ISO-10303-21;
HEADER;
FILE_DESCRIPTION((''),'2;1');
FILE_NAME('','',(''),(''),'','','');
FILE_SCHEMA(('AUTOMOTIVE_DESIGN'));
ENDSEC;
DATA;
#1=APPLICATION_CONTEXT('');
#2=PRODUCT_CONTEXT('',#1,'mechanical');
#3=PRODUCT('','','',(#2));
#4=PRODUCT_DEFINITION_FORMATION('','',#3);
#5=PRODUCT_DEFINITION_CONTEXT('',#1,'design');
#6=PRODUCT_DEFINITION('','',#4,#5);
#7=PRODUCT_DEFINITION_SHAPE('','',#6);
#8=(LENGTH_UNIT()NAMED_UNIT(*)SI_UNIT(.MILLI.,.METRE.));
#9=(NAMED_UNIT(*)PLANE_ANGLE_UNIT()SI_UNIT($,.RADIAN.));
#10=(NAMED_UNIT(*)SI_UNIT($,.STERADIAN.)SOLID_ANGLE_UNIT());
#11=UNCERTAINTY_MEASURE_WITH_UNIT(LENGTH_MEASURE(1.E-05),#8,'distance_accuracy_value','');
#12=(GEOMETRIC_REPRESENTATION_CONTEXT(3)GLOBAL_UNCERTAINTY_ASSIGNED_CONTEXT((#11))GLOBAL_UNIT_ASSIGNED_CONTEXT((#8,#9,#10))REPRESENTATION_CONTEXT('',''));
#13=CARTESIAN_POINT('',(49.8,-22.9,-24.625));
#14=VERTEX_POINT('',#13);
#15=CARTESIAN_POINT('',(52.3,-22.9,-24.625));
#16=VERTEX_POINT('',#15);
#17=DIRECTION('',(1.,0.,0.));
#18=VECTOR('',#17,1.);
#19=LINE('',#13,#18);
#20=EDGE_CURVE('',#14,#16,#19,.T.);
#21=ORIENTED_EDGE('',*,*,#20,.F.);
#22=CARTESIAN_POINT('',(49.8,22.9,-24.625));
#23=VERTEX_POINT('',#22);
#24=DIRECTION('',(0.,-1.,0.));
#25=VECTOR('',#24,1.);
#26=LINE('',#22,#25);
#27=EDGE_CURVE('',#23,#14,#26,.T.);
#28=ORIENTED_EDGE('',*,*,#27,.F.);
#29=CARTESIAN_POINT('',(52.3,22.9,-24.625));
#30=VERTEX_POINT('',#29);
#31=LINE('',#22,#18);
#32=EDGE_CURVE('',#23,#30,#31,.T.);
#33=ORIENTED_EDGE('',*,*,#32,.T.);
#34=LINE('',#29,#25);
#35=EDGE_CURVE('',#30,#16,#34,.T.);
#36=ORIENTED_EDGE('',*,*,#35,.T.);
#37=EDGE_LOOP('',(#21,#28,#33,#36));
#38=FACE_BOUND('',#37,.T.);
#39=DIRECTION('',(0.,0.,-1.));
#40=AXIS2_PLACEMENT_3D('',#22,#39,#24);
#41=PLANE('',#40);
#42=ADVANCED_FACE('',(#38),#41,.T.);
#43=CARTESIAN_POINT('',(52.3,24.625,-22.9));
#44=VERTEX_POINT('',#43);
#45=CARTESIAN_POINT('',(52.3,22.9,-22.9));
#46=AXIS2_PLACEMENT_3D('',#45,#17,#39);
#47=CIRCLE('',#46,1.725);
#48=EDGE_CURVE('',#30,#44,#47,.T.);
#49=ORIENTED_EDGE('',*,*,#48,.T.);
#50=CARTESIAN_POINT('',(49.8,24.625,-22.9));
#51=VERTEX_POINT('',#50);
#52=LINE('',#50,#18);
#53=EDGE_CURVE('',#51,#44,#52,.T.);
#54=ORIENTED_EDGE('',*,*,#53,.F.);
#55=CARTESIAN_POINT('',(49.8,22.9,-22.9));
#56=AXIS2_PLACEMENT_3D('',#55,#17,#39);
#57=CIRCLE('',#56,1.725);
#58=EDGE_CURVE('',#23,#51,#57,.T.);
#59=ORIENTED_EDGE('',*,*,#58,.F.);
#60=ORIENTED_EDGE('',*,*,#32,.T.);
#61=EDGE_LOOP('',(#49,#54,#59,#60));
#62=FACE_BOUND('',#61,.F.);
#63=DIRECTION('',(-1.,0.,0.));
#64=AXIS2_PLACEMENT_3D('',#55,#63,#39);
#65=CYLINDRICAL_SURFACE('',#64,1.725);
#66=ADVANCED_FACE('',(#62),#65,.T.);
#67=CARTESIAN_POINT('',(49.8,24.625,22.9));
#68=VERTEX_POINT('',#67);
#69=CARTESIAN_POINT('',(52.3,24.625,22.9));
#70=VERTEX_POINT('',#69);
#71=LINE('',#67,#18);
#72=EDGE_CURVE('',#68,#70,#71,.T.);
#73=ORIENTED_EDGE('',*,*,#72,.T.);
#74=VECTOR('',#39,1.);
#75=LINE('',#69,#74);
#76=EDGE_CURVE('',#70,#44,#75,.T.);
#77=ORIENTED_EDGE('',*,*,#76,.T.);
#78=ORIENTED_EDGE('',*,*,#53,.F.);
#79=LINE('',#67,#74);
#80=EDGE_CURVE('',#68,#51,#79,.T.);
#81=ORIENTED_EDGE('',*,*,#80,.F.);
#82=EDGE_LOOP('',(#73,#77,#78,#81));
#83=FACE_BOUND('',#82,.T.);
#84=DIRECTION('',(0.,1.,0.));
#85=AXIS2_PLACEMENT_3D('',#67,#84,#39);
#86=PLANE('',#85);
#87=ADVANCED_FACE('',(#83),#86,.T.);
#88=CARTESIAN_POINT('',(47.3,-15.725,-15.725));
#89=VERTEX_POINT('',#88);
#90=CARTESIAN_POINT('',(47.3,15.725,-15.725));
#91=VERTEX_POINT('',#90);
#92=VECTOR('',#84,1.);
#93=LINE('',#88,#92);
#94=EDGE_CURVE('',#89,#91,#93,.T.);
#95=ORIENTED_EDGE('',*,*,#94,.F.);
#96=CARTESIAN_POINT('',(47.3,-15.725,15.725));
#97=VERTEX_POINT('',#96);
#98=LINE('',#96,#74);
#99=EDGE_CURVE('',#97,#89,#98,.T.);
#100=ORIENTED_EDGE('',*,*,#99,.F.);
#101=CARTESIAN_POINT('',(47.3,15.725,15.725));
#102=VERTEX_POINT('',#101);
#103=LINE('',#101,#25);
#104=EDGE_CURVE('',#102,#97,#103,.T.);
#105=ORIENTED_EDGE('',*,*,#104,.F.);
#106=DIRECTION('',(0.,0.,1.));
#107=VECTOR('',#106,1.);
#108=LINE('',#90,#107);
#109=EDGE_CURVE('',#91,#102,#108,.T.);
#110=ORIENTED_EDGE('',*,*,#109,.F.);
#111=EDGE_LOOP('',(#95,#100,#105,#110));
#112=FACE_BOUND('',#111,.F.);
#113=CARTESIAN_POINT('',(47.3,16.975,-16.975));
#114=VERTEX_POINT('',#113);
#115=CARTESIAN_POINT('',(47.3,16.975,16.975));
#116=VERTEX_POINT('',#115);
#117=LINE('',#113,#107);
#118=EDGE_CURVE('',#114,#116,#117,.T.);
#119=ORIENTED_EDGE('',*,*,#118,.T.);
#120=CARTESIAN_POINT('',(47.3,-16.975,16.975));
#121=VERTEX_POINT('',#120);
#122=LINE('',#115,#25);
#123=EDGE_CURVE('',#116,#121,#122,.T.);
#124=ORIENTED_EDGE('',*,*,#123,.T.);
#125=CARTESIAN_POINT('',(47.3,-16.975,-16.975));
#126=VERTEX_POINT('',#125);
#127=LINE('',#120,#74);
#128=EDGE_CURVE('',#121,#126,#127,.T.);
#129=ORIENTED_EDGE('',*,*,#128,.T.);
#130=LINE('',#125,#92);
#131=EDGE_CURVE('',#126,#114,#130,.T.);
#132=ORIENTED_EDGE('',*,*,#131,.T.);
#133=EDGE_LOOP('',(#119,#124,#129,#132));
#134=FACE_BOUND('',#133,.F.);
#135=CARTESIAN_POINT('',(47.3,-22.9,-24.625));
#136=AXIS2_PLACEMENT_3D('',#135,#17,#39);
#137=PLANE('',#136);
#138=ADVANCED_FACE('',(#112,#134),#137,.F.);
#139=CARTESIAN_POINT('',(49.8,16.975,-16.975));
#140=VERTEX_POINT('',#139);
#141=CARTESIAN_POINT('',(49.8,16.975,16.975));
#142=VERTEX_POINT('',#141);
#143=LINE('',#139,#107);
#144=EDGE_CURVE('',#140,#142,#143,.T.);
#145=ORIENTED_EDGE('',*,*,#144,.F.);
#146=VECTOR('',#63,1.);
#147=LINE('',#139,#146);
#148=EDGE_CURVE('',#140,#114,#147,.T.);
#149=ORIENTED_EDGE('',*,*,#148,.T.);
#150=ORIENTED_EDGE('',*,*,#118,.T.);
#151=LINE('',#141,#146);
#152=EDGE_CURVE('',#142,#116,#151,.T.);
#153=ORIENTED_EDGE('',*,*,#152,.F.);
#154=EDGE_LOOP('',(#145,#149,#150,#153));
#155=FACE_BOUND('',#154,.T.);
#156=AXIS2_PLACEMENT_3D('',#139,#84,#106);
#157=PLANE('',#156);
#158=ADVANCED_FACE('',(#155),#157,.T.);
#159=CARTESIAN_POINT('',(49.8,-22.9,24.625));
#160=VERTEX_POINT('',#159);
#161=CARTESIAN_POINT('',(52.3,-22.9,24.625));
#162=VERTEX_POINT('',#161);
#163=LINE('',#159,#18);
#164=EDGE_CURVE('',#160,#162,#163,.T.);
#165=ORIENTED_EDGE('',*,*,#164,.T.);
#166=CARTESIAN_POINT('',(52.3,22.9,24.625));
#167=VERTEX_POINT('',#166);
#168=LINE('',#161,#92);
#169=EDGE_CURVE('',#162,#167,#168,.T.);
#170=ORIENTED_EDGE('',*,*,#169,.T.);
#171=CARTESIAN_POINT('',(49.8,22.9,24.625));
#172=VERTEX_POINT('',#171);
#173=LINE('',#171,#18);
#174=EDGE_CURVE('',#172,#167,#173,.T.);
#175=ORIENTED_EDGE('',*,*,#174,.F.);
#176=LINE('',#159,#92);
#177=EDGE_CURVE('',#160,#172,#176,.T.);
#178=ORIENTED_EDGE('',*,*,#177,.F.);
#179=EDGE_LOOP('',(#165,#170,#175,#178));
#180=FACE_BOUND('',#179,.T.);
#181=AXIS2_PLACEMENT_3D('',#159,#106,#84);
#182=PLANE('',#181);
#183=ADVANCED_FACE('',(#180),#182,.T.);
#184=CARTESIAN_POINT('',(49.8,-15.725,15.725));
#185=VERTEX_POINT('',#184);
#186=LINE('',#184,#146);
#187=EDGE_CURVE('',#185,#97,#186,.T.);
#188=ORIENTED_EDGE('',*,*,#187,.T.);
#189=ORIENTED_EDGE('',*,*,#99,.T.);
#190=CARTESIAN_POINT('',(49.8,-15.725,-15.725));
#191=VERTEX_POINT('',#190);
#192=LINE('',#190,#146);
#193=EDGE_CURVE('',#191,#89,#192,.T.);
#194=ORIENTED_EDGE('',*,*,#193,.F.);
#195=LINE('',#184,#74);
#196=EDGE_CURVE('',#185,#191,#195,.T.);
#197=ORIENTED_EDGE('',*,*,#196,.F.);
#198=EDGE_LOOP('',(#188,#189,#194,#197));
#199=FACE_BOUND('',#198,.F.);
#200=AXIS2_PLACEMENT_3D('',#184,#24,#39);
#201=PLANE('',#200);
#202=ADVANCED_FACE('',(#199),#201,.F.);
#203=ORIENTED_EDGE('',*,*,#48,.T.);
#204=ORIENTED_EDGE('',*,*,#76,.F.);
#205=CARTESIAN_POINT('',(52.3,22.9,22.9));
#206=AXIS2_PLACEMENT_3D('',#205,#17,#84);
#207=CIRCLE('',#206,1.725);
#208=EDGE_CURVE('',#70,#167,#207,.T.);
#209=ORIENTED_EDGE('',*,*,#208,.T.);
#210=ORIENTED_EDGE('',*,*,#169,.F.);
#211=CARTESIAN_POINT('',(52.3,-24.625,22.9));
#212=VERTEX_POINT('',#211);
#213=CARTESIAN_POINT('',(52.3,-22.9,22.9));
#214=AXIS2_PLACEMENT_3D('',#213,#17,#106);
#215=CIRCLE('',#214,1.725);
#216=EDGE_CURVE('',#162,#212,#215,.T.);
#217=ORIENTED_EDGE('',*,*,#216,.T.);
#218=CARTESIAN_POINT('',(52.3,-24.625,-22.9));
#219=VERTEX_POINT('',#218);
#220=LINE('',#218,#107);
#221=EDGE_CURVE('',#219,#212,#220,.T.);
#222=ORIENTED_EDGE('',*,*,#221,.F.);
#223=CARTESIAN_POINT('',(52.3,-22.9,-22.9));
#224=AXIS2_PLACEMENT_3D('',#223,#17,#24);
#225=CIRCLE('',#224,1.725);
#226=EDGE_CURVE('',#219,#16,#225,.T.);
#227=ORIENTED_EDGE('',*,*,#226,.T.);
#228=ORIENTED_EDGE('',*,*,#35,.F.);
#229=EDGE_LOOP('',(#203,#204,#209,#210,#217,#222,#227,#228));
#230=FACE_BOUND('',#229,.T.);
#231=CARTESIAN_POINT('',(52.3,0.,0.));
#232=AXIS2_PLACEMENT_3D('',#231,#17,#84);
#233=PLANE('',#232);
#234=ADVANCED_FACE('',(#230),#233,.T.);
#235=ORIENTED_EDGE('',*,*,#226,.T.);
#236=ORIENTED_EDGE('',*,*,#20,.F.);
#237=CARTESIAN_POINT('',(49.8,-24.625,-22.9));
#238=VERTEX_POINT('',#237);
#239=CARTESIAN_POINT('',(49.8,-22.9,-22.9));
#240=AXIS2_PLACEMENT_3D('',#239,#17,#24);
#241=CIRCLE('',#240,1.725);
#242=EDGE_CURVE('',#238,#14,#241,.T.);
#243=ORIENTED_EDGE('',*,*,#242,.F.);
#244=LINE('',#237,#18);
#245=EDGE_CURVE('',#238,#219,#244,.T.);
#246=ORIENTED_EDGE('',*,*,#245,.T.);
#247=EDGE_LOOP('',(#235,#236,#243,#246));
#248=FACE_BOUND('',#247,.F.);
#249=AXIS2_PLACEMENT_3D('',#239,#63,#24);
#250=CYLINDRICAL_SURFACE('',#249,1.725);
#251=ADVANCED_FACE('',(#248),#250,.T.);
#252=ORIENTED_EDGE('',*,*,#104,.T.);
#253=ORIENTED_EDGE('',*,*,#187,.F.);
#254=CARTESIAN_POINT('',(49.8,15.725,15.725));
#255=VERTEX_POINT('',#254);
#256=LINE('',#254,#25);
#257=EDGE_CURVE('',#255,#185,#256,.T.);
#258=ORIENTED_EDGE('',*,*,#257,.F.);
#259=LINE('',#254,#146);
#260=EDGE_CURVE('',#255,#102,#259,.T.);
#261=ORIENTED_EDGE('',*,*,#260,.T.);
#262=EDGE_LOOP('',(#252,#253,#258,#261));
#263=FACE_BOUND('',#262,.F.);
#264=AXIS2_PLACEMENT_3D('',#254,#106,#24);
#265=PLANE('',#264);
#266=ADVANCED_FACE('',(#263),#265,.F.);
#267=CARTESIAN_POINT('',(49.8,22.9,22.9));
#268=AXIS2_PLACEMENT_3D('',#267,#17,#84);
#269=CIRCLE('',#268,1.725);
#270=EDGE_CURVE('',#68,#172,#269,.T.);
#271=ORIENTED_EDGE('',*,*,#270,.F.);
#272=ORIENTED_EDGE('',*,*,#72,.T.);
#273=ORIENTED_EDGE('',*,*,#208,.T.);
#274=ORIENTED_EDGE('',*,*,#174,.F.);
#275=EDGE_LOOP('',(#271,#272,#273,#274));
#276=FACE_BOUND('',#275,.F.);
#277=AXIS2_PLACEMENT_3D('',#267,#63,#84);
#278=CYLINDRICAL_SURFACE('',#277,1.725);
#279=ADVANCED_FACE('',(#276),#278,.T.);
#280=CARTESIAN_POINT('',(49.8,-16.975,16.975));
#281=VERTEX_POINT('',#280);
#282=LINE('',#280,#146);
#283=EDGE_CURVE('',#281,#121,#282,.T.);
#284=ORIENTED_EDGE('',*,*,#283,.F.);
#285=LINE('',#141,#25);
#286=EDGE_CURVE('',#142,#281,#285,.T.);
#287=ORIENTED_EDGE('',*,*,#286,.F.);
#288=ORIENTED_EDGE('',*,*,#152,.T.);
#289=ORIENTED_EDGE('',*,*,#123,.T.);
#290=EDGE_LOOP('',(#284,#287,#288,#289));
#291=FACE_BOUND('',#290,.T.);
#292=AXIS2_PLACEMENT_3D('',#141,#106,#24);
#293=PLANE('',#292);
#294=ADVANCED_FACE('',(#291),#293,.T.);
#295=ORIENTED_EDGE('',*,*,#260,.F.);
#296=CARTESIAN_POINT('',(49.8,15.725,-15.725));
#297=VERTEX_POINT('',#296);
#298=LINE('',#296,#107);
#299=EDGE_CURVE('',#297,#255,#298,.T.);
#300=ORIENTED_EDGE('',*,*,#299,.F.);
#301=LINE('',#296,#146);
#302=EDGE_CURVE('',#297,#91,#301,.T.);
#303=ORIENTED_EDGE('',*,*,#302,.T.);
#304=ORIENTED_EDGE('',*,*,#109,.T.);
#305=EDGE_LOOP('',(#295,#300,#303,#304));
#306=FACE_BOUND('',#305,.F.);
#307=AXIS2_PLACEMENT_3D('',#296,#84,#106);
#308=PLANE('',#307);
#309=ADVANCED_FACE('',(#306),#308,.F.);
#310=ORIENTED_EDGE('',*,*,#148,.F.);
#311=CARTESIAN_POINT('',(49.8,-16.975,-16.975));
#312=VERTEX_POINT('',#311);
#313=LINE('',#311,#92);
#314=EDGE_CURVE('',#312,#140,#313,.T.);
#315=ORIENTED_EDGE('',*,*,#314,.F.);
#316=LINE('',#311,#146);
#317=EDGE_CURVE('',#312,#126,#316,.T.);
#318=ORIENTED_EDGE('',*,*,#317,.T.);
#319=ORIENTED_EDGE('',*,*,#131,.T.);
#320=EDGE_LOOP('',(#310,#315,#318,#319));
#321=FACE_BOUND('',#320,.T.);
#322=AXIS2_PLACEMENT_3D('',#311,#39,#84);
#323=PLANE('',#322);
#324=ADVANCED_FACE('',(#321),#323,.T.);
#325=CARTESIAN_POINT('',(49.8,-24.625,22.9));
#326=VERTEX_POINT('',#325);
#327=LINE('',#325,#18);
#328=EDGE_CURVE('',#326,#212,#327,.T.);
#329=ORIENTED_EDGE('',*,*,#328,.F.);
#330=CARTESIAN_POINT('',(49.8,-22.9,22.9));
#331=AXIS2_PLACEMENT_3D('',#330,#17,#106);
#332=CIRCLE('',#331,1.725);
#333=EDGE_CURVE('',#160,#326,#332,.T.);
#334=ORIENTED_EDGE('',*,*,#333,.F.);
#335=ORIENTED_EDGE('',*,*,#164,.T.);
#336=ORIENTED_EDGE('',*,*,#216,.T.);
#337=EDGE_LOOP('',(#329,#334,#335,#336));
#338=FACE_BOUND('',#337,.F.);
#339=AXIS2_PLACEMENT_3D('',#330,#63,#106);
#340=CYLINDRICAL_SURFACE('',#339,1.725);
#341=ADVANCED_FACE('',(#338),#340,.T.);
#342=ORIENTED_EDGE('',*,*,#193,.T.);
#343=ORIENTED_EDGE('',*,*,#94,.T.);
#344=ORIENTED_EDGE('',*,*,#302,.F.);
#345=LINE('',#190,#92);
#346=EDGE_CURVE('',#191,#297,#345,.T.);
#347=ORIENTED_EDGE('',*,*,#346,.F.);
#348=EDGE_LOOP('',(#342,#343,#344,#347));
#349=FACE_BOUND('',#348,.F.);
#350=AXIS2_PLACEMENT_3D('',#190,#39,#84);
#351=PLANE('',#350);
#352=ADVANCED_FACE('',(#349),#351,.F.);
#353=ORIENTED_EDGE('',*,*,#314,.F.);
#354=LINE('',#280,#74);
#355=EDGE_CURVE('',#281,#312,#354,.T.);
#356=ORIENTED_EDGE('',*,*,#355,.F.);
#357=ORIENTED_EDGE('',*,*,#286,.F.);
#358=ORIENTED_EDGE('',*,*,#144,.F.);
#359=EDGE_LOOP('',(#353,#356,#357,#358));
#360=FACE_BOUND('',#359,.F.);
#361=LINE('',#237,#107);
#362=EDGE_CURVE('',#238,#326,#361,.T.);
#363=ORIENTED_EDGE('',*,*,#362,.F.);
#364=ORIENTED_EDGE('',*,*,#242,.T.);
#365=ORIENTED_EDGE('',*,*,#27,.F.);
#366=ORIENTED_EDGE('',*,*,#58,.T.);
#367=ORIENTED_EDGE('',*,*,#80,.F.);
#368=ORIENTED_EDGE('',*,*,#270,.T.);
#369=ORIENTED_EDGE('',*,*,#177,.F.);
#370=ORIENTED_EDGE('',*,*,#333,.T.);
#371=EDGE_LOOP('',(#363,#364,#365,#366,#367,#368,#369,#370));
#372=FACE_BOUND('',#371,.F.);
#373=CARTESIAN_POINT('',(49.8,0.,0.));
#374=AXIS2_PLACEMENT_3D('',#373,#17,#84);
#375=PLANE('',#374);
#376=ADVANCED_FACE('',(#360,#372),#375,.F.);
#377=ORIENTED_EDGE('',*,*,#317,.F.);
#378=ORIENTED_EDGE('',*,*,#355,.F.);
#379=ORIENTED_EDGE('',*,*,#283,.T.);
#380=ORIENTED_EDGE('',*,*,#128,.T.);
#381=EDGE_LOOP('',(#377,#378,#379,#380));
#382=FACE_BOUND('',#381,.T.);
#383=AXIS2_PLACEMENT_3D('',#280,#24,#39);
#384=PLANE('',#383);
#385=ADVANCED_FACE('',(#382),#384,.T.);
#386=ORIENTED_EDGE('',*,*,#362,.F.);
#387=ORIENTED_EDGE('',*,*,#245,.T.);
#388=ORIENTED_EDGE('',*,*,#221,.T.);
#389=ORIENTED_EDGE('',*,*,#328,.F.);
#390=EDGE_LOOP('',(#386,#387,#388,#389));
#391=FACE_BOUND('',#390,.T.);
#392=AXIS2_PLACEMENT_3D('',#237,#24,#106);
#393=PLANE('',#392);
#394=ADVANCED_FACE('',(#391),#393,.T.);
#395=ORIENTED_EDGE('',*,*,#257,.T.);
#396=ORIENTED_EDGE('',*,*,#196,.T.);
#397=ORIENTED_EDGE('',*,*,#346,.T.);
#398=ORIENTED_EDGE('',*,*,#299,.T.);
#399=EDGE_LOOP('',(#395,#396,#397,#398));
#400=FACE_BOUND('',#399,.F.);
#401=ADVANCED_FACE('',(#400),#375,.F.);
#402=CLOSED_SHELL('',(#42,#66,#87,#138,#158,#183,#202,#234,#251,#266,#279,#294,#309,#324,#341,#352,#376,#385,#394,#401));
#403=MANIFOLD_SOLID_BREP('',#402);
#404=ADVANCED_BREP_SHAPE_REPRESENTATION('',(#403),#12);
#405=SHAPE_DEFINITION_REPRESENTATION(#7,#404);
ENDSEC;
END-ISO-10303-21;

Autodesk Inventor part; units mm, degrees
ref_plane "YZ Plane" through (0, 0, 0) normal (1, 0, 0) x (0, 1, 0)
ref_plane "XZ Plane" through (0, 0, 0) normal (0, 1, 0) x (-1, 0, 0)
sketch "Sketch1" plane through (0, 0, 0) normal (1, 0, 0) x (0, 1, 0)
  circle A0 centre (-21.9, 21.9) radius 1.875 projected
  circle A1 centre (21.9, -21.9) radius 1.875 projected
  circle A2 centre (-21.9, -21.9) radius 1.875 projected
  circle A3 centre (21.9, 21.9) radius 1.875 projected
  circle A4 centre (20.8, -14.4) radius 2.0734 projected
  circle A5 centre (-20.8, 14.4) radius 2.0734 projected
  circle A6 centre (-20.8, -14.4) radius 2.0734 projected
  circle A7 centre (-14.4, -20.8) radius 2.0734 projected
  line L0 (17.05, 17.05) -> (-17.05, 17.05) projected
  line L1 (17.05, -17.05) -> (17.05, 17.05) projected
  line L2 (-17.05, -17.05) -> (17.05, -17.05) projected
  line L3 (-17.05, 17.05) -> (-17.05, -17.05) projected
  circle A8 centre (14.4, -20.8) radius 2.0734 projected
  circle A9 centre (20.8, 14.4) radius 2.0734 projected
  circle A10 centre (-14.4, 20.8) radius 2.0734 projected
  circle A11 centre (14.4, 20.8) radius 2.0734 projected
  line L4 (24.875, 22.9) -> (24.875, -22.9) projected
  arc A12 (24.875, 22.9) -> (22.9, 24.875) centre (22.9, 22.9) ccw projected
  line L5 (-22.9, 24.875) -> (22.9, 24.875) projected
  arc A13 (-22.9, 24.875) -> (-24.875, 22.9) centre (-22.9, 22.9) ccw projected
  line L6 (-24.875, -22.9) -> (-24.875, 22.9) projected
  arc A14 (-24.875, -22.9) -> (-22.9, -24.875) centre (-22.9, -22.9) ccw projected
  line L7 (22.9, -24.875) -> (-22.9, -24.875) projected
  arc A15 (22.9, -24.875) -> (24.875, -22.9) centre (22.9, -22.9) ccw projected
  arc A16 (-24.625, -22.9) -> (-22.9, -24.625) centre (-22.9, -22.9) ccw
  line L8 (-24.625, -22.9) -> (-24.625, 22.9)
  arc A17 (-22.9, 24.625) -> (-24.625, 22.9) centre (-22.9, 22.9) ccw
  line L9 (-22.9, 24.625) -> (22.9, 24.625)
  arc A18 (24.625, 22.9) -> (22.9, 24.625) centre (22.9, 22.9) ccw
  line L10 (24.625, 22.9) -> (24.625, -22.9)
  arc A19 (22.9, -24.625) -> (24.625, -22.9) centre (22.9, -22.9) ccw
  line L11 (22.9, -24.625) -> (-22.9, -24.625)
  point P0 (0, 0)
  dimension "d0" = 0.25
ref_plane "Work Plane1" through (49.8, -24.875, -24.875) normal (1, 0, 0) x (0, 1, 0)
extrude "Extrusion1" add sketch "Sketch1" along normal blind 2.5 from surface at 49.8 contours A0 | A1 | A2 | A3 | A4 | A5 | A6 | A7 | L1 L2 L3 L0 | A8 | A9 | A10 | A11 | L8 A17 L9 A18 L10 A19 L11 A16
sketch "Sketch2" plane through (52.3, -22.9, -24.625) normal (1, 0, 0) x (0, 0, -1)
  circle A0 centre (-46.525, 1) radius 1.875 projected
  circle A1 centre (-2.725, 44.8) radius 1.875 projected
  circle A2 centre (-2.725, 1) radius 1.875 projected
  circle A3 centre (-46.525, 44.8) radius 1.875 projected
  circle A4 centre (-10.225, 43.7) radius 2.0734 projected
  circle A5 centre (-39.025, 2.1) radius 2.0734 projected
  circle A6 centre (-10.225, 2.1) radius 2.0734 projected
  circle A7 centre (-3.825, 8.5) radius 2.0734 projected
  line L0 (-41.675, 39.95) -> (-41.675, 5.85) projected
  line L1 (-7.575, 39.95) -> (-41.675, 39.95) projected
  line L2 (-7.575, 5.85) -> (-7.575, 39.95) projected
  line L3 (-41.675, 5.85) -> (-7.575, 5.85) projected
  circle A8 centre (-3.825, 37.3) radius 2.0734 projected
  circle A9 centre (-39.025, 43.7) radius 2.0734 projected
  circle A10 centre (-45.425, 8.5) radius 2.0734 projected
  circle A11 centre (-45.425, 37.3) radius 2.0734 projected
  line L4 (-47.525, 47.775) -> (-1.725, 47.775) projected
  arc A12 (-47.525, 47.775) -> (-49.5, 45.8) centre (-47.525, 45.8) ccw projected
  line L5 (-49.5, 0) -> (-49.5, 45.8) projected
  arc A13 (-49.5, 0) -> (-47.525, -1.975) centre (-47.525, 0) ccw projected
  line L6 (-1.725, -1.975) -> (-47.525, -1.975) projected
  arc A14 (-1.725, -1.975) -> (0.25, 0) centre (-1.725, 0) ccw projected
  line L7 (0.25, 45.8) -> (0.25, 0) projected
  arc A15 (0.25, 45.8) -> (-1.725, 47.775) centre (-1.725, 45.8) ccw projected
  line L8 (-41.6, 39.875) -> (-41.6, 5.925)
  line L9 (-41.6, 5.925) -> (-7.65, 5.925)
  line L10 (-7.65, 5.925) -> (-7.65, 39.875)
  line L11 (-7.65, 39.875) -> (-41.6, 39.875)
  line L12 (-40.35, 38.625) -> (-40.35, 7.175)
  line L13 (-40.35, 7.175) -> (-8.9, 7.175)
  line L14 (-8.9, 7.175) -> (-8.9, 38.625)
  line L15 (-8.9, 38.625) -> (-40.35, 38.625)
  dimension "d16" = 0.075
  dimension "d17" = 1.25
extrude "Extrusion2" add sketch "Sketch2" against normal blind 2.5 from surface at -2.5 contours L11 L10 L9 L8
properties part number "Cover Top (Normal) Proto"
